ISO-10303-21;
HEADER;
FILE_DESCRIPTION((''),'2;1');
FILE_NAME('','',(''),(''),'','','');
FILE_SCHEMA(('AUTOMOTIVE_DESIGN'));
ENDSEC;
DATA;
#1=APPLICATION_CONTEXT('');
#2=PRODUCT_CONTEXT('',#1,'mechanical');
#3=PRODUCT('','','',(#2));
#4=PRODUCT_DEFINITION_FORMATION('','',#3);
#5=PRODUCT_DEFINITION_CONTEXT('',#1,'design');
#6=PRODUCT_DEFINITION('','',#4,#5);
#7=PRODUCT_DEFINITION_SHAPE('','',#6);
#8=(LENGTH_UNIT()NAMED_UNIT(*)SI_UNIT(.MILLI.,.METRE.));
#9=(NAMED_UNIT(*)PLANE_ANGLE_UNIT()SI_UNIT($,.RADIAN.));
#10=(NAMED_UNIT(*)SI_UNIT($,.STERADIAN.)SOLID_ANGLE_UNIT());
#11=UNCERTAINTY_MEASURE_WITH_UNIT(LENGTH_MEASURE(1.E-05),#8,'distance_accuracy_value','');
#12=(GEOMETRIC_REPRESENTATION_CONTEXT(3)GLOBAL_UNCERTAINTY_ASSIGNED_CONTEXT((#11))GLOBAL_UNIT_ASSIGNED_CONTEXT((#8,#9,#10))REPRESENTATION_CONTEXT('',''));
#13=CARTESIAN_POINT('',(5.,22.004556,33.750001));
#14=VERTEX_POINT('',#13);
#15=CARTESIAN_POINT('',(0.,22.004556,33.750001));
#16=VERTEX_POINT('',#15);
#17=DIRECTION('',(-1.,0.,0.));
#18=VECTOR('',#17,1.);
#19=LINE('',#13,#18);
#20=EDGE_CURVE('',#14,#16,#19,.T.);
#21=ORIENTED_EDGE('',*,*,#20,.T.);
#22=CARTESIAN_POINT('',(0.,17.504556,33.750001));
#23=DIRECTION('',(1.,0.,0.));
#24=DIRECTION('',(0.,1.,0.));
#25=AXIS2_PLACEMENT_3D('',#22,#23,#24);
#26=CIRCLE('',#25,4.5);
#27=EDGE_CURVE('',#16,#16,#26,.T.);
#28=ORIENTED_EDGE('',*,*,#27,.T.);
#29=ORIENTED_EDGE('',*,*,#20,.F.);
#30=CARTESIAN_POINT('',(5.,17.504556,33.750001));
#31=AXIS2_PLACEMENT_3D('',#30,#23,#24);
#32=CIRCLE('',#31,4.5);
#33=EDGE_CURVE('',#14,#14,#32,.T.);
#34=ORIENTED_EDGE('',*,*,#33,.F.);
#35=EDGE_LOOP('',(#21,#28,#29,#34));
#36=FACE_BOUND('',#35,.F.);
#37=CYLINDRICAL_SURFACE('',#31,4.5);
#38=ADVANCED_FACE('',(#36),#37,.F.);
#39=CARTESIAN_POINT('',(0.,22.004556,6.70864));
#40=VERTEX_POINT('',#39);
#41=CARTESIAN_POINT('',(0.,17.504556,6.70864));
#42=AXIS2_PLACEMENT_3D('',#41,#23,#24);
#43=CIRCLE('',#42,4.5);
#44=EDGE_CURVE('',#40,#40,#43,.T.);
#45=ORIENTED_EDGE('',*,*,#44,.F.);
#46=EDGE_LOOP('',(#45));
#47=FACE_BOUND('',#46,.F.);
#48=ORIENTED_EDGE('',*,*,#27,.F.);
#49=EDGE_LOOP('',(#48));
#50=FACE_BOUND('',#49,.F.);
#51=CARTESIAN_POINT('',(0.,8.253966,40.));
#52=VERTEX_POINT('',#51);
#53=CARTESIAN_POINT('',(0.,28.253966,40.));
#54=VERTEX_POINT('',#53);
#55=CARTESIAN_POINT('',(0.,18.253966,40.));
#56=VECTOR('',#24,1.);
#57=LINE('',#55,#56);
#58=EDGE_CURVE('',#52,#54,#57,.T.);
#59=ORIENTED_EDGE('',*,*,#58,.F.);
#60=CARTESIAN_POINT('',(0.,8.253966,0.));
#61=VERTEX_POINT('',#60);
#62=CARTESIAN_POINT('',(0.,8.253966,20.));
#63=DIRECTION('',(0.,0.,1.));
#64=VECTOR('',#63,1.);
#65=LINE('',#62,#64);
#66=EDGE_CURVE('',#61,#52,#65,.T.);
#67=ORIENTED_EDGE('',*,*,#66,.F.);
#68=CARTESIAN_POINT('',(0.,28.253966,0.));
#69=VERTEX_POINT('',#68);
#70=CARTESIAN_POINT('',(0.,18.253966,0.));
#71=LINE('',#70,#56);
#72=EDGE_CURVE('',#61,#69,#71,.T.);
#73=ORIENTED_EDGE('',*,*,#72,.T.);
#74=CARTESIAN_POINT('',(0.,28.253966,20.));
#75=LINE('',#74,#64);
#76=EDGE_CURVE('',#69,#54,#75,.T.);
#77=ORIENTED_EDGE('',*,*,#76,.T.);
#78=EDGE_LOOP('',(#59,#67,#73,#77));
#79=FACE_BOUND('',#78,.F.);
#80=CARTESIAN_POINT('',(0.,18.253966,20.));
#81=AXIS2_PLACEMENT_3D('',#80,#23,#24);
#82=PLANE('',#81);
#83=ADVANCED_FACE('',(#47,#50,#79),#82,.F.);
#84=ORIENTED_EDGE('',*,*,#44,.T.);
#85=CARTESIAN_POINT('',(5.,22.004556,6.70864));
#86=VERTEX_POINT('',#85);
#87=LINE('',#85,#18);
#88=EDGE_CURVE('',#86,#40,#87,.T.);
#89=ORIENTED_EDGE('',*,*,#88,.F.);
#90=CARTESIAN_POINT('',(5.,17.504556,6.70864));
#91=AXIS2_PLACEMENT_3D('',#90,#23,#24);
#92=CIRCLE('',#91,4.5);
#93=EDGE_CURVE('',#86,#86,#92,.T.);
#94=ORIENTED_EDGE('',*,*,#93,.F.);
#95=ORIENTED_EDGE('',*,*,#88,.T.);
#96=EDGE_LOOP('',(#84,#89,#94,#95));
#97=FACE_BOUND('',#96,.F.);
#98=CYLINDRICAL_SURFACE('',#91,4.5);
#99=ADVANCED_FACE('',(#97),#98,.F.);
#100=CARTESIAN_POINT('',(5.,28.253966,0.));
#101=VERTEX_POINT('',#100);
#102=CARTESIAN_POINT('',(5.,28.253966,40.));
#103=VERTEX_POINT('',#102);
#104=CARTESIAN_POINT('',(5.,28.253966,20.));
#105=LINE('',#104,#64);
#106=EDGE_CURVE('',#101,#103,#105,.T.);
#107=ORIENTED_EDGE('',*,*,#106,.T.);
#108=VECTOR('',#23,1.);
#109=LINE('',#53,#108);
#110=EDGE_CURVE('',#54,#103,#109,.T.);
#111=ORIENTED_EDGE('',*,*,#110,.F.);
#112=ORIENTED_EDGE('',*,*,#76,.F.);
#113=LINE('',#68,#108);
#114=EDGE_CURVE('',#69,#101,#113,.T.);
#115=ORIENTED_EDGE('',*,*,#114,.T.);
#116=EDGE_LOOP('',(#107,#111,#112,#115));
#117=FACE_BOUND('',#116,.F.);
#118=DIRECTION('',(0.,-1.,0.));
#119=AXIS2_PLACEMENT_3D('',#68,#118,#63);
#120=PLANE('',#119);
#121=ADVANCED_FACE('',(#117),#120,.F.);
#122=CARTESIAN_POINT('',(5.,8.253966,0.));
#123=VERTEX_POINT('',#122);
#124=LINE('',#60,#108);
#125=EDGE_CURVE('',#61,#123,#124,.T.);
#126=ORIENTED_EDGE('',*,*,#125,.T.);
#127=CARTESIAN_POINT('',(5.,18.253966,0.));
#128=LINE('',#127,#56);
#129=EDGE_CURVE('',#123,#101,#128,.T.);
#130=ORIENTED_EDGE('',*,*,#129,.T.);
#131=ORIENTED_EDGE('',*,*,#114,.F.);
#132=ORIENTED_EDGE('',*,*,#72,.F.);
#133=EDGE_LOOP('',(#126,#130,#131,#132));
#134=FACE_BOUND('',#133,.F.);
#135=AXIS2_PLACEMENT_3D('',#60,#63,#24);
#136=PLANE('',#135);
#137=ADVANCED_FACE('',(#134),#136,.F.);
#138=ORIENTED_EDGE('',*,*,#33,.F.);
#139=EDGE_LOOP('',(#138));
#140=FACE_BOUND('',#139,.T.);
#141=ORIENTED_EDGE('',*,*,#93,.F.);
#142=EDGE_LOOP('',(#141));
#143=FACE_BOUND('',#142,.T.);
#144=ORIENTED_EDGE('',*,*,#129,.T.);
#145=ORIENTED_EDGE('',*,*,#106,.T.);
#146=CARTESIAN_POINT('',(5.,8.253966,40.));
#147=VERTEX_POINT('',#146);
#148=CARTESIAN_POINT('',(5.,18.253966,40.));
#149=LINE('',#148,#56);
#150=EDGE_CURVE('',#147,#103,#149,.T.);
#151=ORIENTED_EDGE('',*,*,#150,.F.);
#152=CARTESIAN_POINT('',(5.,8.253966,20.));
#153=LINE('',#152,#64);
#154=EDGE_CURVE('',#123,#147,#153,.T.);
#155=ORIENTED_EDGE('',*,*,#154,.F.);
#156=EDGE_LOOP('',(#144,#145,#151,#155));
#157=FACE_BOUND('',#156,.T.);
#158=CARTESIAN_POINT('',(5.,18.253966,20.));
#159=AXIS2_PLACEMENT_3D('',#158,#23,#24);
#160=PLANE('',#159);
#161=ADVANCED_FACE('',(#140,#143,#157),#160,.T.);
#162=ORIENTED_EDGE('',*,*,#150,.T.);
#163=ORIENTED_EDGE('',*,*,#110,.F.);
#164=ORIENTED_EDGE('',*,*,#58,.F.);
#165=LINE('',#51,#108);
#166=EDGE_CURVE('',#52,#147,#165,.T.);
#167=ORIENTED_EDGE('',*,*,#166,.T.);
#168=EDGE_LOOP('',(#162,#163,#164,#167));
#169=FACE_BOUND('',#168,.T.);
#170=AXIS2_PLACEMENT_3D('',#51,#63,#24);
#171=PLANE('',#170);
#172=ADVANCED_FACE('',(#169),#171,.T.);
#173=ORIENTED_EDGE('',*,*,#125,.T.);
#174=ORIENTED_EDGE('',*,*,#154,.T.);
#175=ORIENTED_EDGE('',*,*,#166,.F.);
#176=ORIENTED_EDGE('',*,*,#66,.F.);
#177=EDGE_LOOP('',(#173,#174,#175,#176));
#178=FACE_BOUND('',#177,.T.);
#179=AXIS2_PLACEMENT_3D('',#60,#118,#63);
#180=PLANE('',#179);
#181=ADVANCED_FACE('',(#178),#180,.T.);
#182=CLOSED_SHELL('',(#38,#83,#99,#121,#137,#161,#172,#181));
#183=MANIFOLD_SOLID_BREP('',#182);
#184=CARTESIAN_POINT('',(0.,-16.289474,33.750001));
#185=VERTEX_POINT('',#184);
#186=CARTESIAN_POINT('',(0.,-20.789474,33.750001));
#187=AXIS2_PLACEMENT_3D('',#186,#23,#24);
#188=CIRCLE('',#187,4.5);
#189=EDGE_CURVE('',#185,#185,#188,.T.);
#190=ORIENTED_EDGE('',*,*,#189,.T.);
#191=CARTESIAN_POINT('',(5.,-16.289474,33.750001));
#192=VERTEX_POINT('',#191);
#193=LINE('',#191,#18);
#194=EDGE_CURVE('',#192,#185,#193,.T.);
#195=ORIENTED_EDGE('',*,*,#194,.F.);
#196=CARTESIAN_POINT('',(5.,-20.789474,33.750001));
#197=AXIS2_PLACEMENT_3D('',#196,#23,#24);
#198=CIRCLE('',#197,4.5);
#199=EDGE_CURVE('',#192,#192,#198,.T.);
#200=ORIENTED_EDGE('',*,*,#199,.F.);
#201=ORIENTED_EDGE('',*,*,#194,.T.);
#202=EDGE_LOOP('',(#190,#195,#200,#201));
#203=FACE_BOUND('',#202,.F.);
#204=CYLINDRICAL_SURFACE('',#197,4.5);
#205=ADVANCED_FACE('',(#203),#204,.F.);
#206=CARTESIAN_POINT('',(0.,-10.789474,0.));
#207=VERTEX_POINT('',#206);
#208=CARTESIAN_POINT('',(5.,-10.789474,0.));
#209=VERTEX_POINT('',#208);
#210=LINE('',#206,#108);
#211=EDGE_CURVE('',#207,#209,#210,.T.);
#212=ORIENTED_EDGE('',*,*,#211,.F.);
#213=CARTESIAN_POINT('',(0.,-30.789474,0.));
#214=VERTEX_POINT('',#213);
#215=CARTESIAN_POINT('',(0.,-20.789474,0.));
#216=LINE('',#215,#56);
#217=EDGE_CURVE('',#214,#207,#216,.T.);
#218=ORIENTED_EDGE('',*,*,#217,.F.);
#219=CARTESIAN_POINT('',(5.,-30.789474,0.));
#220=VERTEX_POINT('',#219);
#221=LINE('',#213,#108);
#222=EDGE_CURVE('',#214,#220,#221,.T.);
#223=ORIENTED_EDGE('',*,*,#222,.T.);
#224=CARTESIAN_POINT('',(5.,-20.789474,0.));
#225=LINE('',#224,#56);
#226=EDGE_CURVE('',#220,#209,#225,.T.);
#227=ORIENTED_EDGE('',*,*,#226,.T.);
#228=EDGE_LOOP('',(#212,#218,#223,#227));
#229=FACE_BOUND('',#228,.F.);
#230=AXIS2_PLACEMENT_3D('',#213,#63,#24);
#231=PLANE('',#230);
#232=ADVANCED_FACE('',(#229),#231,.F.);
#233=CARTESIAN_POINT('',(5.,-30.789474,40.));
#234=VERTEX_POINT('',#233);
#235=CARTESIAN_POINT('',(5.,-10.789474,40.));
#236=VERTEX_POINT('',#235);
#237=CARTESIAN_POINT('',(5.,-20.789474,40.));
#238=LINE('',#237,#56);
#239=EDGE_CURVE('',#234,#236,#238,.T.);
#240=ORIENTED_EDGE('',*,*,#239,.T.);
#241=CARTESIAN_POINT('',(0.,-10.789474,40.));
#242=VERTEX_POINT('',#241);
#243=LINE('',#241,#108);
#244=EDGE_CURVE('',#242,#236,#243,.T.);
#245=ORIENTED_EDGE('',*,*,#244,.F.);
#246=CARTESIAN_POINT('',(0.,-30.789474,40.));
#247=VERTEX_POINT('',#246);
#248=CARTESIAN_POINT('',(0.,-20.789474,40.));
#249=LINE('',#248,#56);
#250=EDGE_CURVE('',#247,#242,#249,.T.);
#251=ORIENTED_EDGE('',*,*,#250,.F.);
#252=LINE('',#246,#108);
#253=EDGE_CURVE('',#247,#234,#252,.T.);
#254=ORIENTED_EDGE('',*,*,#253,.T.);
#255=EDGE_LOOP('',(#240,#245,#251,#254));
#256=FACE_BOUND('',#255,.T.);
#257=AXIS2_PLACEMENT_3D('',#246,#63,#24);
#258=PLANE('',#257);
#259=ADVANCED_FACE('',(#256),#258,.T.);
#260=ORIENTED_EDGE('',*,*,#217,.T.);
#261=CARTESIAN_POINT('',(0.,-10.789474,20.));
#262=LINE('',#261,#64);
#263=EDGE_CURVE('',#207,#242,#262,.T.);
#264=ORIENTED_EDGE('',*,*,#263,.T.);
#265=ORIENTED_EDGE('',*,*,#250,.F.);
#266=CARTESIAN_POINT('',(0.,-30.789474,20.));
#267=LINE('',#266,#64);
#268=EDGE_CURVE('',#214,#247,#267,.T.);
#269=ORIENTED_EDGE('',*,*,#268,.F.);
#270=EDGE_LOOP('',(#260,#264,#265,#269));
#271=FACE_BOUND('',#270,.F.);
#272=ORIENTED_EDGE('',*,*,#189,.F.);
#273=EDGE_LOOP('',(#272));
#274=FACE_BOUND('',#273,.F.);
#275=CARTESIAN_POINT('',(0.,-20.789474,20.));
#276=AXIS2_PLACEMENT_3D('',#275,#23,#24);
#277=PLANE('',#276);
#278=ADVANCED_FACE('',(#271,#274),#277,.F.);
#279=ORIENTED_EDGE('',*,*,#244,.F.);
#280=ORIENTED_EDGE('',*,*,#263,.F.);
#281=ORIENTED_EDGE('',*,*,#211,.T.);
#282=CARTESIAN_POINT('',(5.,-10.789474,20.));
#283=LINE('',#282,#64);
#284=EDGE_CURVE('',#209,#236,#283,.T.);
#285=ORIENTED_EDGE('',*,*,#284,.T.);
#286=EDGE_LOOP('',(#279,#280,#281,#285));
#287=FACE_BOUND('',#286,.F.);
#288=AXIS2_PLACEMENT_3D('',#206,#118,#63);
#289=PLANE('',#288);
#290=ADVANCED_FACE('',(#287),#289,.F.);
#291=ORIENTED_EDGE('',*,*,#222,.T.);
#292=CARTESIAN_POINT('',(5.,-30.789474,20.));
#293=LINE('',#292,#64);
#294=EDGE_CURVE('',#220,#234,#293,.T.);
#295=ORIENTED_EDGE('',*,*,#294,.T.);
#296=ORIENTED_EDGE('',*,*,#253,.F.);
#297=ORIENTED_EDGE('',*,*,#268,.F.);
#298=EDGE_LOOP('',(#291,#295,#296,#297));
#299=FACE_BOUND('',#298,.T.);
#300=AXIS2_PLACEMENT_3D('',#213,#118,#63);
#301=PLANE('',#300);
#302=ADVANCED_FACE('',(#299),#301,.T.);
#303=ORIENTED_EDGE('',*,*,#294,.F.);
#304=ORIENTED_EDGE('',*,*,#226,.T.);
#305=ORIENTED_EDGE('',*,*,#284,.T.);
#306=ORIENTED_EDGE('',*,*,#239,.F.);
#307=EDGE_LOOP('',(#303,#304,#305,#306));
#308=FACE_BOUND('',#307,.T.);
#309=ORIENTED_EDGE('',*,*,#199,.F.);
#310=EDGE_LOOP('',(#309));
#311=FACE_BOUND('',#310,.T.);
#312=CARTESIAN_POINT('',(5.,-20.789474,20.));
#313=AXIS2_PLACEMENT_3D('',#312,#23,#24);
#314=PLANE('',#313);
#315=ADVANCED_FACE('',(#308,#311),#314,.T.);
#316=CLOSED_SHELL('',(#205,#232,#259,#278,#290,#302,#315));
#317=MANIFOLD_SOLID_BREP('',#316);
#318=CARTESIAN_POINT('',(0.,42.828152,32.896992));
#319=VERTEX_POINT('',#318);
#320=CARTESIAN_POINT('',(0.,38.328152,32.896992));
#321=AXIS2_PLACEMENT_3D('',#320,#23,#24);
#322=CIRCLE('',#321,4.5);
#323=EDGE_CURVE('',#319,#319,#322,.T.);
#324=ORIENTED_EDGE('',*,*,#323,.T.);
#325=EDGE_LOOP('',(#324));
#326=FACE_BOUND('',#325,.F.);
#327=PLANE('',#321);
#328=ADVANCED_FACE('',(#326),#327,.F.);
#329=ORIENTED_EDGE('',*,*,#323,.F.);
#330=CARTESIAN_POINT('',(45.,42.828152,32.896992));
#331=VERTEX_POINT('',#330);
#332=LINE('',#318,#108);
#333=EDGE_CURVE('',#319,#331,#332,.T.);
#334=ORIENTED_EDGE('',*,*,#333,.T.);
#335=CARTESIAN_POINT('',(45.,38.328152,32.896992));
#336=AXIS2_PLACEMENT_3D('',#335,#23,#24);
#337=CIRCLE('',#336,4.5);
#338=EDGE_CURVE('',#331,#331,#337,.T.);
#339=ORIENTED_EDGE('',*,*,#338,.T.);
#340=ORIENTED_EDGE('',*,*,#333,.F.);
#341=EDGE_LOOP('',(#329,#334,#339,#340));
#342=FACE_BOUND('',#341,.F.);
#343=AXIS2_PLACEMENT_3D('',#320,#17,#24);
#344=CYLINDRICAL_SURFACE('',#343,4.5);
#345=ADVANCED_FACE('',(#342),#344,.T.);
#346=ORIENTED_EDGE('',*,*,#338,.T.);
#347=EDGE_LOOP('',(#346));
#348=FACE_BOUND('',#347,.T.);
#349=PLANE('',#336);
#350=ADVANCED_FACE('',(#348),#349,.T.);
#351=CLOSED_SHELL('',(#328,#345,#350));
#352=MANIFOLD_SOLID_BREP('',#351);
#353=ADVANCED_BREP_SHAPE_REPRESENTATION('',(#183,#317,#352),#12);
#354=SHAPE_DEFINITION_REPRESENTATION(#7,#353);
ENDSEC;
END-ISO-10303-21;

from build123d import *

# Parameters (mm, degrees)
F0_W     = 20
F0_H     = 40
F1_DEPTH = 5
F2_R     = 4.5
F3_DEPTH = 30
F4_R     = 4.5
F5_DEPTH = 30
F6_R     = 4.5
F7_DEPTH = 45


with BuildPart() as f1:
    # F0 (on Right) → F1 (new body)
    with BuildSketch(Plane.YZ):
        with Locations((-20.789474, 20)):
            Rectangle(F0_W, F0_H)
        with Locations((18.253966, 20)):
            Rectangle(F0_W, F0_H)
    extrude(amount=F1_DEPTH)

    # F2 (on face) → F3 (cut)
    with BuildSketch(Plane.YZ.offset(5)):
        with Locations((-20.789474, 33.750001)):
            Circle(F2_R)
    extrude(amount=-F3_DEPTH, mode=Mode.SUBTRACT)

    # F4 (on face) → F5 (cut)
    with BuildSketch(Plane.YZ.offset(5)):
        with Locations((17.504556, 33.750001)):
            Circle(F4_R)
        with Locations((17.504556, 6.70864)):
            Circle(F4_R)
    extrude(amount=-F5_DEPTH, mode=Mode.SUBTRACT)


with BuildPart() as f7:
    # F6 (on Right) → F7 (new body)
    with BuildSketch(Plane.YZ):
        with Locations((38.328152, 32.896992)):
            Circle(F6_R)
    extrude(amount=F7_DEPTH)


solid = Compound([f1.part, f7.part])
